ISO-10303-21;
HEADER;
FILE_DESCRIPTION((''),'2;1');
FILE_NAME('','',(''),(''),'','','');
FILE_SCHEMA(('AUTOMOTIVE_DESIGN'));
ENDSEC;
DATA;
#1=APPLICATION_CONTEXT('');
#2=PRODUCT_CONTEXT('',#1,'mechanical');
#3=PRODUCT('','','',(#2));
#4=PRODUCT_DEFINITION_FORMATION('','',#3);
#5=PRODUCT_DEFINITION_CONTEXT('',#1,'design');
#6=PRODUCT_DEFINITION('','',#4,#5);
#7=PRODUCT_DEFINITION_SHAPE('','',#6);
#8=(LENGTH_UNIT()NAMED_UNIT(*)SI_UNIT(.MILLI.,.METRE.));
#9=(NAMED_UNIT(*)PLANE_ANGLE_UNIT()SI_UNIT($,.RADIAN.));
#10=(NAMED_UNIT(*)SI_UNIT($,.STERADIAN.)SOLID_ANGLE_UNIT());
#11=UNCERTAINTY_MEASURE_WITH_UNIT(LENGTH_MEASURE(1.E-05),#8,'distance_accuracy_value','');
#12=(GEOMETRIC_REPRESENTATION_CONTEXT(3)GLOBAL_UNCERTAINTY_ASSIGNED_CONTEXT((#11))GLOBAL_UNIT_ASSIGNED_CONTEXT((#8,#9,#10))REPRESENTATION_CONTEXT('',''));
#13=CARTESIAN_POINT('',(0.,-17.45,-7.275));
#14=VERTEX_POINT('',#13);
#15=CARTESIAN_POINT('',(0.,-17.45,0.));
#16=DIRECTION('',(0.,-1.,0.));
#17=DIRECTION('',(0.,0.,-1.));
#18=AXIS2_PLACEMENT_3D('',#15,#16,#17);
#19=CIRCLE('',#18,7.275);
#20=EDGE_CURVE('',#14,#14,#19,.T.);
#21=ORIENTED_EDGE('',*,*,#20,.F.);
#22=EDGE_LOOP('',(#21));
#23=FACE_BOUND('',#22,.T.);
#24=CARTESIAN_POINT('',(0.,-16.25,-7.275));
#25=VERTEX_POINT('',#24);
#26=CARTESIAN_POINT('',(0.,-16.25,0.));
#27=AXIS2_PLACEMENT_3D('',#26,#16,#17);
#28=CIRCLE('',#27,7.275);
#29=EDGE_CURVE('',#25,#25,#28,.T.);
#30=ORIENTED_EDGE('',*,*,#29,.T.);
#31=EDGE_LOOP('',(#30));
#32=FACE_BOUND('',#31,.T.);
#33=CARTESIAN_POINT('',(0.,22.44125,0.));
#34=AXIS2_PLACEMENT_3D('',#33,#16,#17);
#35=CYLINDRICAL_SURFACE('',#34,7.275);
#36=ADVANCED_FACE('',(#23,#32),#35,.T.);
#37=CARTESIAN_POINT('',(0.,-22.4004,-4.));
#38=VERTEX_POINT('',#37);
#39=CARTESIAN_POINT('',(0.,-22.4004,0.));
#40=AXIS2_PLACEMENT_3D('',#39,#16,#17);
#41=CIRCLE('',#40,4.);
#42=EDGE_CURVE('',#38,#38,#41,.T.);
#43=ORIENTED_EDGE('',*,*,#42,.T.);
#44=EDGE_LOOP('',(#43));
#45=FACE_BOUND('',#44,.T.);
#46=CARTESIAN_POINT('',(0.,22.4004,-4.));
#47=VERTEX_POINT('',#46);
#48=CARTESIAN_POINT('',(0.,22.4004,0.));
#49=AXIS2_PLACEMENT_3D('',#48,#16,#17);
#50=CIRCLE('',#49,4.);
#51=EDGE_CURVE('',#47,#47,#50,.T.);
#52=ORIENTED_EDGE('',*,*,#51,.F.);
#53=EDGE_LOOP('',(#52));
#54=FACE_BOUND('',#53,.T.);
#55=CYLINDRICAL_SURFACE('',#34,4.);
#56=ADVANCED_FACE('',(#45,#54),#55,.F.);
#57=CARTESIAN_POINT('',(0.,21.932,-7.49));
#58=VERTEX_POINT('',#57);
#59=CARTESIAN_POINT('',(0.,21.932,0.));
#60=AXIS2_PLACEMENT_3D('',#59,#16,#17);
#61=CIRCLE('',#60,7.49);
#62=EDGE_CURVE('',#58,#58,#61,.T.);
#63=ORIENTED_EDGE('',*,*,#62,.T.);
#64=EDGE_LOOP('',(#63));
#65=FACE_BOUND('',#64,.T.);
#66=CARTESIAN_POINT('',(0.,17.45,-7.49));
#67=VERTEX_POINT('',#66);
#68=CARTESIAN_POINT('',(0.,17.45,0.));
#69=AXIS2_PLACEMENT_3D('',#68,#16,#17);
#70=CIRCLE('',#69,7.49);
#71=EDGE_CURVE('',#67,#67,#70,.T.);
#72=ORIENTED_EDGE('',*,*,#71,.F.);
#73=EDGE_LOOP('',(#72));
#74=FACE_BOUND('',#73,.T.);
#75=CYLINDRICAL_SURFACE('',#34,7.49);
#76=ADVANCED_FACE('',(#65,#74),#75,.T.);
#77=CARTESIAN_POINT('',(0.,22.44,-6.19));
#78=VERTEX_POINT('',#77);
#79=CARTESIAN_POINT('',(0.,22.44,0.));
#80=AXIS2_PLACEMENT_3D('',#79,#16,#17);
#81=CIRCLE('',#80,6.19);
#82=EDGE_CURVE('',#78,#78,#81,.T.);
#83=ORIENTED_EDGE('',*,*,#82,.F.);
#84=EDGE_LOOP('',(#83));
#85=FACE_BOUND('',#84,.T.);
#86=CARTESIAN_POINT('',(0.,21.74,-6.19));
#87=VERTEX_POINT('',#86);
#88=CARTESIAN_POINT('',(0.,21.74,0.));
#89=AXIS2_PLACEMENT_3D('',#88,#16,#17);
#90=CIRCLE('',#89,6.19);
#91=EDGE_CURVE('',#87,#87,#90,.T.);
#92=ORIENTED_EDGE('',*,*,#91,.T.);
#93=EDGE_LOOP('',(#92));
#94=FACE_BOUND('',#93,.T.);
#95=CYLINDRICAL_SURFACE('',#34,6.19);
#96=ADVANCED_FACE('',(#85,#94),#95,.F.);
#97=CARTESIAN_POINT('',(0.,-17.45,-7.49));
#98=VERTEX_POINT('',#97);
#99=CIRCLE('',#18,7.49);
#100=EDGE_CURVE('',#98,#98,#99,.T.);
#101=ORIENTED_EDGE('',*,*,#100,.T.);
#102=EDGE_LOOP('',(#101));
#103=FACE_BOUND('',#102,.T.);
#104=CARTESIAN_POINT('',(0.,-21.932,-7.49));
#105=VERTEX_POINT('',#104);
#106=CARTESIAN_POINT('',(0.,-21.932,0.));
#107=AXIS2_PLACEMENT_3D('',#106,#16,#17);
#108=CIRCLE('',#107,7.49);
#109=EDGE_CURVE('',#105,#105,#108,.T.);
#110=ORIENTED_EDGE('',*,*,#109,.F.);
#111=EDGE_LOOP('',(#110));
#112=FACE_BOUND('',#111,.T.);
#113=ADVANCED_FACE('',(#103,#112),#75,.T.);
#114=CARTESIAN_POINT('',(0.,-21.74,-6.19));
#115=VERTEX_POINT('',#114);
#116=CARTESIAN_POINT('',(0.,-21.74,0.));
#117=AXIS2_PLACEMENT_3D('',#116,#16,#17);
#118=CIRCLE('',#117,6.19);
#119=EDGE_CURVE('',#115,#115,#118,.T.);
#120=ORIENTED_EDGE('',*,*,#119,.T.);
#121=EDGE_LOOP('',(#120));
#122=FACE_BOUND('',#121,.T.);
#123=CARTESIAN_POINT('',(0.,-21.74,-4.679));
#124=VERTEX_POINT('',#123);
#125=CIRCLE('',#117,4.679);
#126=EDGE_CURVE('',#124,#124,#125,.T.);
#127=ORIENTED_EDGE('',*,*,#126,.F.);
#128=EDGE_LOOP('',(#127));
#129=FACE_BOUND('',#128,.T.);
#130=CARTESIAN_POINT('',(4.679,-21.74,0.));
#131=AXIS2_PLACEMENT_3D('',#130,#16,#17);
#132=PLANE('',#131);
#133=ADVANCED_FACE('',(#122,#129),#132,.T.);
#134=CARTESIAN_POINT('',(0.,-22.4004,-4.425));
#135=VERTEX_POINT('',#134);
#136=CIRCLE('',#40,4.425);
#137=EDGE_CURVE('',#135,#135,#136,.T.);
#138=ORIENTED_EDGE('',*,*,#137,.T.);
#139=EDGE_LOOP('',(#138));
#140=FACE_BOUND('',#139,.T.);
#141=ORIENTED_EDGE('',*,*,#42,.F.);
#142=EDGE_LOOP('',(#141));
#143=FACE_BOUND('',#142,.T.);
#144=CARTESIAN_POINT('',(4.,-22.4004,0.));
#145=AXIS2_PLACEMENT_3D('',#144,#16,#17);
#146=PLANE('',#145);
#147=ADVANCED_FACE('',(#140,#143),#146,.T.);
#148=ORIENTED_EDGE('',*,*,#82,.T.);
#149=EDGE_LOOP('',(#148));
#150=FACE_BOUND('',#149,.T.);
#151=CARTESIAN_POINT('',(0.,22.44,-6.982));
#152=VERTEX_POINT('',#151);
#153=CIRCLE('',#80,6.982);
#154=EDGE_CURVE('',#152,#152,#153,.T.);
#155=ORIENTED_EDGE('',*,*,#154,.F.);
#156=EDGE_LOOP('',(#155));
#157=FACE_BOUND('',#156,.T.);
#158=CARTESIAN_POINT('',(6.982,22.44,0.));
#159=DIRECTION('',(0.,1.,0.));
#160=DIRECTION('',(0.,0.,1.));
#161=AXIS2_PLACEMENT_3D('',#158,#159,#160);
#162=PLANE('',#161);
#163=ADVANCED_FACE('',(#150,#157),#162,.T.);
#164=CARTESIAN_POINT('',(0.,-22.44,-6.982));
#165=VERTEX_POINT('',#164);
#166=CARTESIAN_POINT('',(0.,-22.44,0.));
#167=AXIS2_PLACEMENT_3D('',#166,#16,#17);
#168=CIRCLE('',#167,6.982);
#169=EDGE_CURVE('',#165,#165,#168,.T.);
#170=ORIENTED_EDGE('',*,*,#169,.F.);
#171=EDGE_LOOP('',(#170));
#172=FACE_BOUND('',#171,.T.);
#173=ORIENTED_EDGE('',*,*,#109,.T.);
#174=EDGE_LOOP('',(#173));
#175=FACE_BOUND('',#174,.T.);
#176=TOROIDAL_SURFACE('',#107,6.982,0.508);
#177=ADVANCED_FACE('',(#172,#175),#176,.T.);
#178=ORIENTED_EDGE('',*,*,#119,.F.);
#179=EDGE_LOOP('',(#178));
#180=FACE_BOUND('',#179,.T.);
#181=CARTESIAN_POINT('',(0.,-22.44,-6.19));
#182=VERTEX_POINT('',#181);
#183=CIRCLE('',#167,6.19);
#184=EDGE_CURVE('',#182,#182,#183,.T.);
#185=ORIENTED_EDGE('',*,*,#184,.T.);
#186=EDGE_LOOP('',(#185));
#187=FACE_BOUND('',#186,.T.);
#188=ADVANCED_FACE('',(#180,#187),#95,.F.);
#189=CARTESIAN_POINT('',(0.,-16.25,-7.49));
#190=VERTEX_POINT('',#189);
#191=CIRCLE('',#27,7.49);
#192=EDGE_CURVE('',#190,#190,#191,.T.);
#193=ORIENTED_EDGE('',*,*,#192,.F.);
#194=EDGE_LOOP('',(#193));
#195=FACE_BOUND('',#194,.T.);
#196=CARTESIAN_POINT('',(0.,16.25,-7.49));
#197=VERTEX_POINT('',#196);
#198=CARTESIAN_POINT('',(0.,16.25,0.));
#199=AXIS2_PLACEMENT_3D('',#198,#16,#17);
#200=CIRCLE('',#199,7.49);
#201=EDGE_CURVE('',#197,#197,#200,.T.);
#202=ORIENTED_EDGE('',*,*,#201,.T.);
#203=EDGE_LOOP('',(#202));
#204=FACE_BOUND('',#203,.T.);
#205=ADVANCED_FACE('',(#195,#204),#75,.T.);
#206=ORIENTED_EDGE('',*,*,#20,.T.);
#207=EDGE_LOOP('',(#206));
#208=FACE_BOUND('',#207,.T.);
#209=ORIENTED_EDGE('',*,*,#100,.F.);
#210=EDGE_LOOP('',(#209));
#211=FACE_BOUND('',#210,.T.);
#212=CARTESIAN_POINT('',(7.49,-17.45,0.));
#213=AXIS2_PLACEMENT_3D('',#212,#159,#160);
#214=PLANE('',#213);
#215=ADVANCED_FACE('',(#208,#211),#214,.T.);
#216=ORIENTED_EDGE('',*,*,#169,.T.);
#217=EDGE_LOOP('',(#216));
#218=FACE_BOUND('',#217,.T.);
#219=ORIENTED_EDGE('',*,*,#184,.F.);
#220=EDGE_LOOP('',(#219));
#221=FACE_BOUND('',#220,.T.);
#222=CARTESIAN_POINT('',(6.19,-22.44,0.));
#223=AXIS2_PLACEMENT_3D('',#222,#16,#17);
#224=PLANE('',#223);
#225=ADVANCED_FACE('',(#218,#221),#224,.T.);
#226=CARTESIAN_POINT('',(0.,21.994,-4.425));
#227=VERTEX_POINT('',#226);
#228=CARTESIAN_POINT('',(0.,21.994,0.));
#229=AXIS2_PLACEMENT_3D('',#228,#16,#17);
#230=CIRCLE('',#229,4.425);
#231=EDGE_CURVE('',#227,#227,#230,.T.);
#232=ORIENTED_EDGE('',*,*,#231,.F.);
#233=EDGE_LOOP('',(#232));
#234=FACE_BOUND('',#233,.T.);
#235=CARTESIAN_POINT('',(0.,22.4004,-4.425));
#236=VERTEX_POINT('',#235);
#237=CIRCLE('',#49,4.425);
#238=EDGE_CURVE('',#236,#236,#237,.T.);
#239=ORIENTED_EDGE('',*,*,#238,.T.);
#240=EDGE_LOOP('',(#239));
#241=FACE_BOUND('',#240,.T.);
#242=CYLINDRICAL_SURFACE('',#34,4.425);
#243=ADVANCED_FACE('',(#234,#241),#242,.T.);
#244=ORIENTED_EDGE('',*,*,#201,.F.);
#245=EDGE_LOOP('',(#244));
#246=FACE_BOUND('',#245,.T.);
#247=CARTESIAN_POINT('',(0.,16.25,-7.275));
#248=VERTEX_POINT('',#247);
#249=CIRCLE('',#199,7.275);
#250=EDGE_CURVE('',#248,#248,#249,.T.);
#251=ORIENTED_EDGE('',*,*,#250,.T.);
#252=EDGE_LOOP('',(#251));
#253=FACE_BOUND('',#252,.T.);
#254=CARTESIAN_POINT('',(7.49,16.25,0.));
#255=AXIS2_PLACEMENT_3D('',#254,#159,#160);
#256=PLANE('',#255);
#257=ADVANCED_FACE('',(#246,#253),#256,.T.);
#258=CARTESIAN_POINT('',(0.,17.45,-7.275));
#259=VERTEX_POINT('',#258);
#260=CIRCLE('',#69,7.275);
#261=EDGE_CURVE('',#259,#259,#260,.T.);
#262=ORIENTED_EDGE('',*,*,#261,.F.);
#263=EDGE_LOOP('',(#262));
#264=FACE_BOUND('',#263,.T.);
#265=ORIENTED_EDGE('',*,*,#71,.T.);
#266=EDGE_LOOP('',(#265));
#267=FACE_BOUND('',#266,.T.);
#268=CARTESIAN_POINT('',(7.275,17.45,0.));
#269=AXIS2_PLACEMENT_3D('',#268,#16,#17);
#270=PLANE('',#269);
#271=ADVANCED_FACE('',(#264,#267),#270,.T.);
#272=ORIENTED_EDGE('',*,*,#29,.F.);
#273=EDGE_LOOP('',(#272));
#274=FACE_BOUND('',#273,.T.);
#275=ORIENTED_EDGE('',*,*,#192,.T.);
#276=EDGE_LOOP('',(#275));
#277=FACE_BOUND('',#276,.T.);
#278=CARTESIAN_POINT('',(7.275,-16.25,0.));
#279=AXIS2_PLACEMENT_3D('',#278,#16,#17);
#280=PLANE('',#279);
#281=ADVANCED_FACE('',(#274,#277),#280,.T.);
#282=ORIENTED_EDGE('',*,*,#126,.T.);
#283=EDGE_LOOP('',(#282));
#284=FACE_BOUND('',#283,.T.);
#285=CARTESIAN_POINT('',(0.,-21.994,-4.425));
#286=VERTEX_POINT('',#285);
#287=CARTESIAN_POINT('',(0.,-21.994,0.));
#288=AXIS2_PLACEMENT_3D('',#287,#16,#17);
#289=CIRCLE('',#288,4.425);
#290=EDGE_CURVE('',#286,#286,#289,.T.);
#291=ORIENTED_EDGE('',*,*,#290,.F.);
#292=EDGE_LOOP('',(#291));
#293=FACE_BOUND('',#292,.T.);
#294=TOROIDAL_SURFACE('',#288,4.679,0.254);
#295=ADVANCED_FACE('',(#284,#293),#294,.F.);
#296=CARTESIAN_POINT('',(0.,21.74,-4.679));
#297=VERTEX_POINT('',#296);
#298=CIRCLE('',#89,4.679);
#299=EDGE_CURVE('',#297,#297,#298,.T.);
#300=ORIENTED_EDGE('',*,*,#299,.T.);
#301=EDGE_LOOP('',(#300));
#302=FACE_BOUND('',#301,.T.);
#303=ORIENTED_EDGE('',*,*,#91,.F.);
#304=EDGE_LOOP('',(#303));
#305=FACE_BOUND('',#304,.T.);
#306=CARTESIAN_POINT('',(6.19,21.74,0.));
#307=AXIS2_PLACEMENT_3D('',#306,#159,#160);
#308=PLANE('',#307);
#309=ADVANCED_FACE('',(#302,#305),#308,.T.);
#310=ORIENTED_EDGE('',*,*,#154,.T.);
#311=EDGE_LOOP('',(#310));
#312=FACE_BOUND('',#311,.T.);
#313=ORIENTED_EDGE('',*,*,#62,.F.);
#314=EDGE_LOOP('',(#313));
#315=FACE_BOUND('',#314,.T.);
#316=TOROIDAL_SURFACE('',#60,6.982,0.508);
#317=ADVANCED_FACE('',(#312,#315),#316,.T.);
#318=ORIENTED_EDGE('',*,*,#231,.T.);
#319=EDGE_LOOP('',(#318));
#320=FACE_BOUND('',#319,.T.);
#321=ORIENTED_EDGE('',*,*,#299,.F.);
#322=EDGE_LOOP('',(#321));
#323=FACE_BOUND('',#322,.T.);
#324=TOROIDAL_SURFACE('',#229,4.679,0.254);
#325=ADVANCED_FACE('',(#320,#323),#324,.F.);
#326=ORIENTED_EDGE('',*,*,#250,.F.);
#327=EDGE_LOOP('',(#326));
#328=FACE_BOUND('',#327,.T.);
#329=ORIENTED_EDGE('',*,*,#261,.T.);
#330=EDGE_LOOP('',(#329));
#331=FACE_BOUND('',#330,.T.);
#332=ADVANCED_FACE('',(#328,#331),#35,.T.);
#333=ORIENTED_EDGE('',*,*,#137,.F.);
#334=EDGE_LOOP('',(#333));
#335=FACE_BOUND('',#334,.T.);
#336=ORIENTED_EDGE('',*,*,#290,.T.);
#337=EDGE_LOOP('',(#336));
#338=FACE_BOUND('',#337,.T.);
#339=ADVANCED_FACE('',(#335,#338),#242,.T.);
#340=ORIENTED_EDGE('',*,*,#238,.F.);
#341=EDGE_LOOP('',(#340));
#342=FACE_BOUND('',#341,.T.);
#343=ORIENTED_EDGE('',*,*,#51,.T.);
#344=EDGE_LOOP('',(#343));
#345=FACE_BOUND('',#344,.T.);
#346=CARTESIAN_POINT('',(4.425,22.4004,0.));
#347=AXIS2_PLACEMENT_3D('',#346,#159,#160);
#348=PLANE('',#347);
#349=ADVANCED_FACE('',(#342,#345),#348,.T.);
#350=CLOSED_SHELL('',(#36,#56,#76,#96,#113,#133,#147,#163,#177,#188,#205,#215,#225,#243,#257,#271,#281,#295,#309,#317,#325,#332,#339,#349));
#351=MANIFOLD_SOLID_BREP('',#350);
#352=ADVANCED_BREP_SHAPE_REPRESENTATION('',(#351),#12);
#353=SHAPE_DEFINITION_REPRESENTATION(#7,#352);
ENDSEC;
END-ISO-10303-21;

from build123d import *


with BuildPart() as part:
    # Sketch1 → Revolve1 (revolve)
    with BuildSketch(Plane.XY, mode=Mode.PRIVATE) as revolve1_sk:
        with BuildLine():
            Line((4.425, 22.4004), (4, 22.4004))
            Line((4, 22.4004), (4, -22.4004))
            Line((4, -22.4004), (4.425, -22.4004))
            Line((4.425, -22.4004), (4.425, -21.994))
            ThreePointArc((4.425, -21.994), (4.499394878, -21.814394878), (4.679, -21.74))
            Line((4.679, -21.74), (6.19, -21.74))
            Line((6.19, -21.74), (6.19, -22.44))
            Line((6.19, -22.44), (6.982, -22.44))
            ThreePointArc((6.982, -22.44), (7.341210245, -22.291210245), (7.49, -21.932))
            Line((7.49, -21.932), (7.49, -17.45))
            Line((7.49, -17.45), (7.275, -17.45))
            Line((7.275, -17.45), (7.275, -16.25))
            Line((7.275, -16.25), (7.49, -16.25))
            Line((7.49, -16.25), (7.49, 16.25))
            Line((7.49, 16.25), (7.275, 16.25))
            Line((7.275, 16.25), (7.275, 17.45))
            Line((7.275, 17.45), (7.49, 17.45))
            Line((7.49, 17.45), (7.49, 21.932))
            ThreePointArc((7.49, 21.932), (7.341210245, 22.291210245), (6.982, 22.44))
            Line((6.982, 22.44), (6.19, 22.44))
            Line((6.19, 22.44), (6.19, 21.74))
            Line((6.19, 21.74), (4.679, 21.74))
            ThreePointArc((4.679, 21.74), (4.499394878, 21.814394878), (4.425, 21.994))
            Line((4.425, 21.994), (4.425, 22.4004))
        make_face()
    revolve(revolve1_sk.sketch.rotate(Axis((0, 22.441250002, 0), (0, -1, 0)), 270), axis=Axis((0, 22.441250002, 0), (0, -1, 0)))


solid = part.part
